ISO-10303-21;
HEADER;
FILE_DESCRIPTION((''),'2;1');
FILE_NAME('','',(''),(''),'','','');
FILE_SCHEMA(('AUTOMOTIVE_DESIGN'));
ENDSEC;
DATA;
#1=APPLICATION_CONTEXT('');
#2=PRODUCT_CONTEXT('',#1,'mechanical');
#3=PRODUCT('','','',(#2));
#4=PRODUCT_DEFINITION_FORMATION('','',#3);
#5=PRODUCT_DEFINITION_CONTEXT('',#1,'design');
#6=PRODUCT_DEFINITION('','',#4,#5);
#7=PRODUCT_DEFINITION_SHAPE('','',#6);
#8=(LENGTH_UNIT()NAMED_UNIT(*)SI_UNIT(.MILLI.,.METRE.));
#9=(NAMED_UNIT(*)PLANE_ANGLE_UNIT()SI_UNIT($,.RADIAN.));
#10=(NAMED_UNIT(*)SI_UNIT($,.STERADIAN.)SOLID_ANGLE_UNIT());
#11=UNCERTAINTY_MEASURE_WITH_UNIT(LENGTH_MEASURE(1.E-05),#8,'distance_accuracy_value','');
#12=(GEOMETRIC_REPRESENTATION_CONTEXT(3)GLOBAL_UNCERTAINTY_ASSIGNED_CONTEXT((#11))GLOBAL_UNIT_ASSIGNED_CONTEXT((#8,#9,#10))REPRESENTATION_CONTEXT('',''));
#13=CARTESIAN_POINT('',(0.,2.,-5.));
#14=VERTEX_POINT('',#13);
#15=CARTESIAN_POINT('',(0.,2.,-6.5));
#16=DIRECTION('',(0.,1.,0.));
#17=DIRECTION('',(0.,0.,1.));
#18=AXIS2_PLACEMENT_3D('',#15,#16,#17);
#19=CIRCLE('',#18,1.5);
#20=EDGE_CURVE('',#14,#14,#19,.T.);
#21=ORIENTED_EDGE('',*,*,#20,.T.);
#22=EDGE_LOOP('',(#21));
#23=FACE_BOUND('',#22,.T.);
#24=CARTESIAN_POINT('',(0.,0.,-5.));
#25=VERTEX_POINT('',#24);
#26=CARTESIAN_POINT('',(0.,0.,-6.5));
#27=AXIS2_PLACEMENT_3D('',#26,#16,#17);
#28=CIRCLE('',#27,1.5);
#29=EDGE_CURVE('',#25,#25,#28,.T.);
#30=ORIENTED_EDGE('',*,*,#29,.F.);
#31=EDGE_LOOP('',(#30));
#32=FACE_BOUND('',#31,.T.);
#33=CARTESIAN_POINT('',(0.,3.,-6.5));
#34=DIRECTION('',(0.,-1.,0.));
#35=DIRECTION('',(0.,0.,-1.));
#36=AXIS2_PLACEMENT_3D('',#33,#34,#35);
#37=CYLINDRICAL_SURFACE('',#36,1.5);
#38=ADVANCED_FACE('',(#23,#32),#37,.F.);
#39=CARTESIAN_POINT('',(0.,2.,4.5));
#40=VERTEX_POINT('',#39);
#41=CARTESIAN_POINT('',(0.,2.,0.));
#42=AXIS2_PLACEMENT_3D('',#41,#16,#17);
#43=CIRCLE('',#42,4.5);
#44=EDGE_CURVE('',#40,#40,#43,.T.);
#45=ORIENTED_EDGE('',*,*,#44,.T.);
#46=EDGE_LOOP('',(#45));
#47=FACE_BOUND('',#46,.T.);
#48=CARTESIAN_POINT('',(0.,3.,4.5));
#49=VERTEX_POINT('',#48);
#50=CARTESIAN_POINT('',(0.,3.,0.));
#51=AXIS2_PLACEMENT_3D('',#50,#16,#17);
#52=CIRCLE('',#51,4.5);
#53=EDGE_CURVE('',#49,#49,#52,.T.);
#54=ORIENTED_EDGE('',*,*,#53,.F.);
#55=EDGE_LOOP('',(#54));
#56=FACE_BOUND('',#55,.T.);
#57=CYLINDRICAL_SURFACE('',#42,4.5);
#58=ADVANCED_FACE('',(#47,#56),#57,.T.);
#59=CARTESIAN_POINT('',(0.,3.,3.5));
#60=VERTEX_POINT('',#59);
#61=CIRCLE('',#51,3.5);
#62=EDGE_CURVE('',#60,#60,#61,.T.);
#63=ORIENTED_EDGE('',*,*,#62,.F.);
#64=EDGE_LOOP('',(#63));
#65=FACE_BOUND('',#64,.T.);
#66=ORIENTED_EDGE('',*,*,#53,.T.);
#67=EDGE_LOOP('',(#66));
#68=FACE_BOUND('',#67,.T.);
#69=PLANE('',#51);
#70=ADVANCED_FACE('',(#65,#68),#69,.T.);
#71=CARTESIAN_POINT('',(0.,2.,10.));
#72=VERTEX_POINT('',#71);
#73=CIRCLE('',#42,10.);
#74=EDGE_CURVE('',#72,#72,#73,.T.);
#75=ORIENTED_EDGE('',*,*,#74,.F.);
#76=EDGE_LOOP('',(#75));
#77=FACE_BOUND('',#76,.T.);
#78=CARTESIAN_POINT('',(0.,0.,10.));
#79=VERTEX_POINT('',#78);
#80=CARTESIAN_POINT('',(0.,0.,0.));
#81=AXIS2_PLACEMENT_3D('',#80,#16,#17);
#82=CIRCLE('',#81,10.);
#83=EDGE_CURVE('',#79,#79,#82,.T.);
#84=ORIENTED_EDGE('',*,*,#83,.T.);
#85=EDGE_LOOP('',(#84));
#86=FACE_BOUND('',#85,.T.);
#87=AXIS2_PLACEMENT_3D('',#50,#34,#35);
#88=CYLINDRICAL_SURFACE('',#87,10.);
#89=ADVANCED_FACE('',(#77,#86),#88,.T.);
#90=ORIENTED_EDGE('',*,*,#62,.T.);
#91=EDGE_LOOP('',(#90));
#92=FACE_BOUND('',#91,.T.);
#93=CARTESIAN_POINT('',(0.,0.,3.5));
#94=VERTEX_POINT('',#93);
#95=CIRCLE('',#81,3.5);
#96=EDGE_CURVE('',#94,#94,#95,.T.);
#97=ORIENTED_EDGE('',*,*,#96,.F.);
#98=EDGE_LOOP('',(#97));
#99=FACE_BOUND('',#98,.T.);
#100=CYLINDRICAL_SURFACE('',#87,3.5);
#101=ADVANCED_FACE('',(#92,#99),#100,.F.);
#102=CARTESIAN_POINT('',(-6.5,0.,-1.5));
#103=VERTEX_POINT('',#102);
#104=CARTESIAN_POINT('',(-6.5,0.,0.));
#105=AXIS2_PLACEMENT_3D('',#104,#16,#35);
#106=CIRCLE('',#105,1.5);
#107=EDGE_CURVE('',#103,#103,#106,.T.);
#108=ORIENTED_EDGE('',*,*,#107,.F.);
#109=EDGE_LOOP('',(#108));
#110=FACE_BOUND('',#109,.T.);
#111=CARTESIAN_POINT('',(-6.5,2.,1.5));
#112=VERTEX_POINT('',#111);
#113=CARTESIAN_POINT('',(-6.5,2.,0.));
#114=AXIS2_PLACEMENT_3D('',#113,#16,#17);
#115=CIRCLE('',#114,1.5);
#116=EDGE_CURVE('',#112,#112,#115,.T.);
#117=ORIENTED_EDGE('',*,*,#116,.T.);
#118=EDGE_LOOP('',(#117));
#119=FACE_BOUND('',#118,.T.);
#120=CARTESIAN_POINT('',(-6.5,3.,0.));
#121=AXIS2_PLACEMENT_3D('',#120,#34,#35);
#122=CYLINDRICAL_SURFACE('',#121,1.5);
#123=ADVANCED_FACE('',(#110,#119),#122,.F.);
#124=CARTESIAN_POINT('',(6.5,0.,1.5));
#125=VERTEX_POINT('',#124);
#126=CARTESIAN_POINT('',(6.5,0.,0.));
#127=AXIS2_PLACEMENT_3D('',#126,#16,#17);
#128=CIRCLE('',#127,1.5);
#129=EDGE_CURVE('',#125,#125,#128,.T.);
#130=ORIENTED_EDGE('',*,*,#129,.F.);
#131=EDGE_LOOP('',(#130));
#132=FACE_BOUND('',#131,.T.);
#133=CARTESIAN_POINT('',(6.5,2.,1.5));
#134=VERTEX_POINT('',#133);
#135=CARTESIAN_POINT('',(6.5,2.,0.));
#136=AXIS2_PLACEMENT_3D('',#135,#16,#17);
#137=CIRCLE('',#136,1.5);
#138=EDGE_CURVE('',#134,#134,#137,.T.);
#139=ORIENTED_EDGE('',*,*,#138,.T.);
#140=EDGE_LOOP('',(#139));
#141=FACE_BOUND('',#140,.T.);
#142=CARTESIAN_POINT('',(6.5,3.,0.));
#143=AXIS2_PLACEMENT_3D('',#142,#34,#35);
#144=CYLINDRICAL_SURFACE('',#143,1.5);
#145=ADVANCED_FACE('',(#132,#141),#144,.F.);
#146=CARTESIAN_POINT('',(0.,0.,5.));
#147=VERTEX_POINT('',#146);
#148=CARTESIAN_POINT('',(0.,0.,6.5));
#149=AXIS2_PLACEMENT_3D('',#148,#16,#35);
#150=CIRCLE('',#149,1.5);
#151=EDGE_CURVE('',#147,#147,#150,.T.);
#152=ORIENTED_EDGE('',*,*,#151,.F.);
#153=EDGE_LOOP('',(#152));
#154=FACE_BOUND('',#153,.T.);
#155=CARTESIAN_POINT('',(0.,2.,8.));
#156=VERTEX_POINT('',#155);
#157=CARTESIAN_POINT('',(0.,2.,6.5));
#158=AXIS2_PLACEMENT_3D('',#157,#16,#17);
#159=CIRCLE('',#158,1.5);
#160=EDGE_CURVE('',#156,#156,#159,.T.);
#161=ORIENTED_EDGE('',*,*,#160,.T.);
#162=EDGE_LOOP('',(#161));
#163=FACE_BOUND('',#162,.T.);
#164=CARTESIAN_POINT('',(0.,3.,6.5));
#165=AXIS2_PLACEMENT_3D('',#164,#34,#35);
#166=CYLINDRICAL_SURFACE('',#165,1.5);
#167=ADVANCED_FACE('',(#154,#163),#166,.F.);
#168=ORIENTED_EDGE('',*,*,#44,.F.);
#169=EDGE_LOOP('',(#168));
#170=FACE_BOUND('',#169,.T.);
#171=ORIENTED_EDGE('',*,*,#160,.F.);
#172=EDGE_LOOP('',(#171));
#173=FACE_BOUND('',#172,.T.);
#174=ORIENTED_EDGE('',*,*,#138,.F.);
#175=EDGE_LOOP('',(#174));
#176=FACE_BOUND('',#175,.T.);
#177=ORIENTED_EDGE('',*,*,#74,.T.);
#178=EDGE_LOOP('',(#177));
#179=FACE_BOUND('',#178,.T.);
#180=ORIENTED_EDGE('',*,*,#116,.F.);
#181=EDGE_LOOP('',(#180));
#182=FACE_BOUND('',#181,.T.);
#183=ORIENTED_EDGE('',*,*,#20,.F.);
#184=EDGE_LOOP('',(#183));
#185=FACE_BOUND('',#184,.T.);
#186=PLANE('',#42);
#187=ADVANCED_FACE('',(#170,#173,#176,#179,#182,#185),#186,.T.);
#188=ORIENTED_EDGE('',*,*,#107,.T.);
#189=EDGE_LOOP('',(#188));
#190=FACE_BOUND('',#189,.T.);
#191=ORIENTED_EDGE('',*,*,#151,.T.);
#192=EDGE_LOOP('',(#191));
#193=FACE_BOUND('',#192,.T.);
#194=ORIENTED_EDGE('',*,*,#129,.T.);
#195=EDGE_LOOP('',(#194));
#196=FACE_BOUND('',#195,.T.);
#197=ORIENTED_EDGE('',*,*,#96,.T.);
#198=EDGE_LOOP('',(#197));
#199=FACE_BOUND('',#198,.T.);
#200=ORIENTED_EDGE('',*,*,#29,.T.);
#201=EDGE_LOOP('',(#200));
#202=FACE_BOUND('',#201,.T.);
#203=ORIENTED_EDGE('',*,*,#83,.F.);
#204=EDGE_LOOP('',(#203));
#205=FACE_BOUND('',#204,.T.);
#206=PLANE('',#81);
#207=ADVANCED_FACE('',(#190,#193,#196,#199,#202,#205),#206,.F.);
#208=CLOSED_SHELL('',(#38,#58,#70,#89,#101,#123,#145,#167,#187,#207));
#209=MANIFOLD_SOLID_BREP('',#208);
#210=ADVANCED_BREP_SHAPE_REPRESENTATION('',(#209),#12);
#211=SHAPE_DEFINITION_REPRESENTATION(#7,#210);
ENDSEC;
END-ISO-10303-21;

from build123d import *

# Parameters (mm, degrees)
SKETCH_1_R          = 10
SKETCH_1_R_2        = 3.5
SKETCH_1_R_3        = 1.5
EXTRUDE_1_DEPTH     = 3
SKETCH_2_R          = 10
SKETCH_2_R_2        = 4.5
SKETCH_2_R_3        = 1.5
CUT_EXTRUDE_1_DEPTH = 1


with BuildPart() as part:
    # 草图1 → 凸台-拉伸1 (new body)
    with BuildSketch(Plane(origin=(0, 0, 0), x_dir=(1, 0, 0), z_dir=(0, 1, 0))):
        Circle(SKETCH_1_R)
        Circle(SKETCH_1_R_2, mode=Mode.SUBTRACT)
        with Locations((0, 6.5)):
            Circle(SKETCH_1_R_3, mode=Mode.SUBTRACT)
        with Locations((0, -6.5)):
            Circle(SKETCH_1_R_3, mode=Mode.SUBTRACT)
        with Locations((-6.5, 0)):
            Circle(SKETCH_1_R_3, mode=Mode.SUBTRACT)
        with Locations((6.5, 0)):
            Circle(SKETCH_1_R_3, mode=Mode.SUBTRACT)
    extrude(amount=EXTRUDE_1_DEPTH)

    # 草图2 → 切除-拉伸1 (cut)
    with BuildSketch(Plane(origin=(0, 3, 0), x_dir=(1, 0, 0), z_dir=(0, 1, 0))):
        Circle(SKETCH_2_R)
        Circle(SKETCH_2_R_2, mode=Mode.SUBTRACT)
        with Locations((0, -6.5)):
            Circle(SKETCH_2_R_3, mode=Mode.SUBTRACT)
        with Locations((0, 6.5)):
            Circle(SKETCH_2_R_3, mode=Mode.SUBTRACT)
        with Locations((6.5, 0)):
            Circle(SKETCH_2_R_3, mode=Mode.SUBTRACT)
        with Locations((-6.5, 0)):
            Circle(SKETCH_2_R_3, mode=Mode.SUBTRACT)
    extrude(amount=-CUT_EXTRUDE_1_DEPTH, mode=Mode.SUBTRACT)


solid = part.part
